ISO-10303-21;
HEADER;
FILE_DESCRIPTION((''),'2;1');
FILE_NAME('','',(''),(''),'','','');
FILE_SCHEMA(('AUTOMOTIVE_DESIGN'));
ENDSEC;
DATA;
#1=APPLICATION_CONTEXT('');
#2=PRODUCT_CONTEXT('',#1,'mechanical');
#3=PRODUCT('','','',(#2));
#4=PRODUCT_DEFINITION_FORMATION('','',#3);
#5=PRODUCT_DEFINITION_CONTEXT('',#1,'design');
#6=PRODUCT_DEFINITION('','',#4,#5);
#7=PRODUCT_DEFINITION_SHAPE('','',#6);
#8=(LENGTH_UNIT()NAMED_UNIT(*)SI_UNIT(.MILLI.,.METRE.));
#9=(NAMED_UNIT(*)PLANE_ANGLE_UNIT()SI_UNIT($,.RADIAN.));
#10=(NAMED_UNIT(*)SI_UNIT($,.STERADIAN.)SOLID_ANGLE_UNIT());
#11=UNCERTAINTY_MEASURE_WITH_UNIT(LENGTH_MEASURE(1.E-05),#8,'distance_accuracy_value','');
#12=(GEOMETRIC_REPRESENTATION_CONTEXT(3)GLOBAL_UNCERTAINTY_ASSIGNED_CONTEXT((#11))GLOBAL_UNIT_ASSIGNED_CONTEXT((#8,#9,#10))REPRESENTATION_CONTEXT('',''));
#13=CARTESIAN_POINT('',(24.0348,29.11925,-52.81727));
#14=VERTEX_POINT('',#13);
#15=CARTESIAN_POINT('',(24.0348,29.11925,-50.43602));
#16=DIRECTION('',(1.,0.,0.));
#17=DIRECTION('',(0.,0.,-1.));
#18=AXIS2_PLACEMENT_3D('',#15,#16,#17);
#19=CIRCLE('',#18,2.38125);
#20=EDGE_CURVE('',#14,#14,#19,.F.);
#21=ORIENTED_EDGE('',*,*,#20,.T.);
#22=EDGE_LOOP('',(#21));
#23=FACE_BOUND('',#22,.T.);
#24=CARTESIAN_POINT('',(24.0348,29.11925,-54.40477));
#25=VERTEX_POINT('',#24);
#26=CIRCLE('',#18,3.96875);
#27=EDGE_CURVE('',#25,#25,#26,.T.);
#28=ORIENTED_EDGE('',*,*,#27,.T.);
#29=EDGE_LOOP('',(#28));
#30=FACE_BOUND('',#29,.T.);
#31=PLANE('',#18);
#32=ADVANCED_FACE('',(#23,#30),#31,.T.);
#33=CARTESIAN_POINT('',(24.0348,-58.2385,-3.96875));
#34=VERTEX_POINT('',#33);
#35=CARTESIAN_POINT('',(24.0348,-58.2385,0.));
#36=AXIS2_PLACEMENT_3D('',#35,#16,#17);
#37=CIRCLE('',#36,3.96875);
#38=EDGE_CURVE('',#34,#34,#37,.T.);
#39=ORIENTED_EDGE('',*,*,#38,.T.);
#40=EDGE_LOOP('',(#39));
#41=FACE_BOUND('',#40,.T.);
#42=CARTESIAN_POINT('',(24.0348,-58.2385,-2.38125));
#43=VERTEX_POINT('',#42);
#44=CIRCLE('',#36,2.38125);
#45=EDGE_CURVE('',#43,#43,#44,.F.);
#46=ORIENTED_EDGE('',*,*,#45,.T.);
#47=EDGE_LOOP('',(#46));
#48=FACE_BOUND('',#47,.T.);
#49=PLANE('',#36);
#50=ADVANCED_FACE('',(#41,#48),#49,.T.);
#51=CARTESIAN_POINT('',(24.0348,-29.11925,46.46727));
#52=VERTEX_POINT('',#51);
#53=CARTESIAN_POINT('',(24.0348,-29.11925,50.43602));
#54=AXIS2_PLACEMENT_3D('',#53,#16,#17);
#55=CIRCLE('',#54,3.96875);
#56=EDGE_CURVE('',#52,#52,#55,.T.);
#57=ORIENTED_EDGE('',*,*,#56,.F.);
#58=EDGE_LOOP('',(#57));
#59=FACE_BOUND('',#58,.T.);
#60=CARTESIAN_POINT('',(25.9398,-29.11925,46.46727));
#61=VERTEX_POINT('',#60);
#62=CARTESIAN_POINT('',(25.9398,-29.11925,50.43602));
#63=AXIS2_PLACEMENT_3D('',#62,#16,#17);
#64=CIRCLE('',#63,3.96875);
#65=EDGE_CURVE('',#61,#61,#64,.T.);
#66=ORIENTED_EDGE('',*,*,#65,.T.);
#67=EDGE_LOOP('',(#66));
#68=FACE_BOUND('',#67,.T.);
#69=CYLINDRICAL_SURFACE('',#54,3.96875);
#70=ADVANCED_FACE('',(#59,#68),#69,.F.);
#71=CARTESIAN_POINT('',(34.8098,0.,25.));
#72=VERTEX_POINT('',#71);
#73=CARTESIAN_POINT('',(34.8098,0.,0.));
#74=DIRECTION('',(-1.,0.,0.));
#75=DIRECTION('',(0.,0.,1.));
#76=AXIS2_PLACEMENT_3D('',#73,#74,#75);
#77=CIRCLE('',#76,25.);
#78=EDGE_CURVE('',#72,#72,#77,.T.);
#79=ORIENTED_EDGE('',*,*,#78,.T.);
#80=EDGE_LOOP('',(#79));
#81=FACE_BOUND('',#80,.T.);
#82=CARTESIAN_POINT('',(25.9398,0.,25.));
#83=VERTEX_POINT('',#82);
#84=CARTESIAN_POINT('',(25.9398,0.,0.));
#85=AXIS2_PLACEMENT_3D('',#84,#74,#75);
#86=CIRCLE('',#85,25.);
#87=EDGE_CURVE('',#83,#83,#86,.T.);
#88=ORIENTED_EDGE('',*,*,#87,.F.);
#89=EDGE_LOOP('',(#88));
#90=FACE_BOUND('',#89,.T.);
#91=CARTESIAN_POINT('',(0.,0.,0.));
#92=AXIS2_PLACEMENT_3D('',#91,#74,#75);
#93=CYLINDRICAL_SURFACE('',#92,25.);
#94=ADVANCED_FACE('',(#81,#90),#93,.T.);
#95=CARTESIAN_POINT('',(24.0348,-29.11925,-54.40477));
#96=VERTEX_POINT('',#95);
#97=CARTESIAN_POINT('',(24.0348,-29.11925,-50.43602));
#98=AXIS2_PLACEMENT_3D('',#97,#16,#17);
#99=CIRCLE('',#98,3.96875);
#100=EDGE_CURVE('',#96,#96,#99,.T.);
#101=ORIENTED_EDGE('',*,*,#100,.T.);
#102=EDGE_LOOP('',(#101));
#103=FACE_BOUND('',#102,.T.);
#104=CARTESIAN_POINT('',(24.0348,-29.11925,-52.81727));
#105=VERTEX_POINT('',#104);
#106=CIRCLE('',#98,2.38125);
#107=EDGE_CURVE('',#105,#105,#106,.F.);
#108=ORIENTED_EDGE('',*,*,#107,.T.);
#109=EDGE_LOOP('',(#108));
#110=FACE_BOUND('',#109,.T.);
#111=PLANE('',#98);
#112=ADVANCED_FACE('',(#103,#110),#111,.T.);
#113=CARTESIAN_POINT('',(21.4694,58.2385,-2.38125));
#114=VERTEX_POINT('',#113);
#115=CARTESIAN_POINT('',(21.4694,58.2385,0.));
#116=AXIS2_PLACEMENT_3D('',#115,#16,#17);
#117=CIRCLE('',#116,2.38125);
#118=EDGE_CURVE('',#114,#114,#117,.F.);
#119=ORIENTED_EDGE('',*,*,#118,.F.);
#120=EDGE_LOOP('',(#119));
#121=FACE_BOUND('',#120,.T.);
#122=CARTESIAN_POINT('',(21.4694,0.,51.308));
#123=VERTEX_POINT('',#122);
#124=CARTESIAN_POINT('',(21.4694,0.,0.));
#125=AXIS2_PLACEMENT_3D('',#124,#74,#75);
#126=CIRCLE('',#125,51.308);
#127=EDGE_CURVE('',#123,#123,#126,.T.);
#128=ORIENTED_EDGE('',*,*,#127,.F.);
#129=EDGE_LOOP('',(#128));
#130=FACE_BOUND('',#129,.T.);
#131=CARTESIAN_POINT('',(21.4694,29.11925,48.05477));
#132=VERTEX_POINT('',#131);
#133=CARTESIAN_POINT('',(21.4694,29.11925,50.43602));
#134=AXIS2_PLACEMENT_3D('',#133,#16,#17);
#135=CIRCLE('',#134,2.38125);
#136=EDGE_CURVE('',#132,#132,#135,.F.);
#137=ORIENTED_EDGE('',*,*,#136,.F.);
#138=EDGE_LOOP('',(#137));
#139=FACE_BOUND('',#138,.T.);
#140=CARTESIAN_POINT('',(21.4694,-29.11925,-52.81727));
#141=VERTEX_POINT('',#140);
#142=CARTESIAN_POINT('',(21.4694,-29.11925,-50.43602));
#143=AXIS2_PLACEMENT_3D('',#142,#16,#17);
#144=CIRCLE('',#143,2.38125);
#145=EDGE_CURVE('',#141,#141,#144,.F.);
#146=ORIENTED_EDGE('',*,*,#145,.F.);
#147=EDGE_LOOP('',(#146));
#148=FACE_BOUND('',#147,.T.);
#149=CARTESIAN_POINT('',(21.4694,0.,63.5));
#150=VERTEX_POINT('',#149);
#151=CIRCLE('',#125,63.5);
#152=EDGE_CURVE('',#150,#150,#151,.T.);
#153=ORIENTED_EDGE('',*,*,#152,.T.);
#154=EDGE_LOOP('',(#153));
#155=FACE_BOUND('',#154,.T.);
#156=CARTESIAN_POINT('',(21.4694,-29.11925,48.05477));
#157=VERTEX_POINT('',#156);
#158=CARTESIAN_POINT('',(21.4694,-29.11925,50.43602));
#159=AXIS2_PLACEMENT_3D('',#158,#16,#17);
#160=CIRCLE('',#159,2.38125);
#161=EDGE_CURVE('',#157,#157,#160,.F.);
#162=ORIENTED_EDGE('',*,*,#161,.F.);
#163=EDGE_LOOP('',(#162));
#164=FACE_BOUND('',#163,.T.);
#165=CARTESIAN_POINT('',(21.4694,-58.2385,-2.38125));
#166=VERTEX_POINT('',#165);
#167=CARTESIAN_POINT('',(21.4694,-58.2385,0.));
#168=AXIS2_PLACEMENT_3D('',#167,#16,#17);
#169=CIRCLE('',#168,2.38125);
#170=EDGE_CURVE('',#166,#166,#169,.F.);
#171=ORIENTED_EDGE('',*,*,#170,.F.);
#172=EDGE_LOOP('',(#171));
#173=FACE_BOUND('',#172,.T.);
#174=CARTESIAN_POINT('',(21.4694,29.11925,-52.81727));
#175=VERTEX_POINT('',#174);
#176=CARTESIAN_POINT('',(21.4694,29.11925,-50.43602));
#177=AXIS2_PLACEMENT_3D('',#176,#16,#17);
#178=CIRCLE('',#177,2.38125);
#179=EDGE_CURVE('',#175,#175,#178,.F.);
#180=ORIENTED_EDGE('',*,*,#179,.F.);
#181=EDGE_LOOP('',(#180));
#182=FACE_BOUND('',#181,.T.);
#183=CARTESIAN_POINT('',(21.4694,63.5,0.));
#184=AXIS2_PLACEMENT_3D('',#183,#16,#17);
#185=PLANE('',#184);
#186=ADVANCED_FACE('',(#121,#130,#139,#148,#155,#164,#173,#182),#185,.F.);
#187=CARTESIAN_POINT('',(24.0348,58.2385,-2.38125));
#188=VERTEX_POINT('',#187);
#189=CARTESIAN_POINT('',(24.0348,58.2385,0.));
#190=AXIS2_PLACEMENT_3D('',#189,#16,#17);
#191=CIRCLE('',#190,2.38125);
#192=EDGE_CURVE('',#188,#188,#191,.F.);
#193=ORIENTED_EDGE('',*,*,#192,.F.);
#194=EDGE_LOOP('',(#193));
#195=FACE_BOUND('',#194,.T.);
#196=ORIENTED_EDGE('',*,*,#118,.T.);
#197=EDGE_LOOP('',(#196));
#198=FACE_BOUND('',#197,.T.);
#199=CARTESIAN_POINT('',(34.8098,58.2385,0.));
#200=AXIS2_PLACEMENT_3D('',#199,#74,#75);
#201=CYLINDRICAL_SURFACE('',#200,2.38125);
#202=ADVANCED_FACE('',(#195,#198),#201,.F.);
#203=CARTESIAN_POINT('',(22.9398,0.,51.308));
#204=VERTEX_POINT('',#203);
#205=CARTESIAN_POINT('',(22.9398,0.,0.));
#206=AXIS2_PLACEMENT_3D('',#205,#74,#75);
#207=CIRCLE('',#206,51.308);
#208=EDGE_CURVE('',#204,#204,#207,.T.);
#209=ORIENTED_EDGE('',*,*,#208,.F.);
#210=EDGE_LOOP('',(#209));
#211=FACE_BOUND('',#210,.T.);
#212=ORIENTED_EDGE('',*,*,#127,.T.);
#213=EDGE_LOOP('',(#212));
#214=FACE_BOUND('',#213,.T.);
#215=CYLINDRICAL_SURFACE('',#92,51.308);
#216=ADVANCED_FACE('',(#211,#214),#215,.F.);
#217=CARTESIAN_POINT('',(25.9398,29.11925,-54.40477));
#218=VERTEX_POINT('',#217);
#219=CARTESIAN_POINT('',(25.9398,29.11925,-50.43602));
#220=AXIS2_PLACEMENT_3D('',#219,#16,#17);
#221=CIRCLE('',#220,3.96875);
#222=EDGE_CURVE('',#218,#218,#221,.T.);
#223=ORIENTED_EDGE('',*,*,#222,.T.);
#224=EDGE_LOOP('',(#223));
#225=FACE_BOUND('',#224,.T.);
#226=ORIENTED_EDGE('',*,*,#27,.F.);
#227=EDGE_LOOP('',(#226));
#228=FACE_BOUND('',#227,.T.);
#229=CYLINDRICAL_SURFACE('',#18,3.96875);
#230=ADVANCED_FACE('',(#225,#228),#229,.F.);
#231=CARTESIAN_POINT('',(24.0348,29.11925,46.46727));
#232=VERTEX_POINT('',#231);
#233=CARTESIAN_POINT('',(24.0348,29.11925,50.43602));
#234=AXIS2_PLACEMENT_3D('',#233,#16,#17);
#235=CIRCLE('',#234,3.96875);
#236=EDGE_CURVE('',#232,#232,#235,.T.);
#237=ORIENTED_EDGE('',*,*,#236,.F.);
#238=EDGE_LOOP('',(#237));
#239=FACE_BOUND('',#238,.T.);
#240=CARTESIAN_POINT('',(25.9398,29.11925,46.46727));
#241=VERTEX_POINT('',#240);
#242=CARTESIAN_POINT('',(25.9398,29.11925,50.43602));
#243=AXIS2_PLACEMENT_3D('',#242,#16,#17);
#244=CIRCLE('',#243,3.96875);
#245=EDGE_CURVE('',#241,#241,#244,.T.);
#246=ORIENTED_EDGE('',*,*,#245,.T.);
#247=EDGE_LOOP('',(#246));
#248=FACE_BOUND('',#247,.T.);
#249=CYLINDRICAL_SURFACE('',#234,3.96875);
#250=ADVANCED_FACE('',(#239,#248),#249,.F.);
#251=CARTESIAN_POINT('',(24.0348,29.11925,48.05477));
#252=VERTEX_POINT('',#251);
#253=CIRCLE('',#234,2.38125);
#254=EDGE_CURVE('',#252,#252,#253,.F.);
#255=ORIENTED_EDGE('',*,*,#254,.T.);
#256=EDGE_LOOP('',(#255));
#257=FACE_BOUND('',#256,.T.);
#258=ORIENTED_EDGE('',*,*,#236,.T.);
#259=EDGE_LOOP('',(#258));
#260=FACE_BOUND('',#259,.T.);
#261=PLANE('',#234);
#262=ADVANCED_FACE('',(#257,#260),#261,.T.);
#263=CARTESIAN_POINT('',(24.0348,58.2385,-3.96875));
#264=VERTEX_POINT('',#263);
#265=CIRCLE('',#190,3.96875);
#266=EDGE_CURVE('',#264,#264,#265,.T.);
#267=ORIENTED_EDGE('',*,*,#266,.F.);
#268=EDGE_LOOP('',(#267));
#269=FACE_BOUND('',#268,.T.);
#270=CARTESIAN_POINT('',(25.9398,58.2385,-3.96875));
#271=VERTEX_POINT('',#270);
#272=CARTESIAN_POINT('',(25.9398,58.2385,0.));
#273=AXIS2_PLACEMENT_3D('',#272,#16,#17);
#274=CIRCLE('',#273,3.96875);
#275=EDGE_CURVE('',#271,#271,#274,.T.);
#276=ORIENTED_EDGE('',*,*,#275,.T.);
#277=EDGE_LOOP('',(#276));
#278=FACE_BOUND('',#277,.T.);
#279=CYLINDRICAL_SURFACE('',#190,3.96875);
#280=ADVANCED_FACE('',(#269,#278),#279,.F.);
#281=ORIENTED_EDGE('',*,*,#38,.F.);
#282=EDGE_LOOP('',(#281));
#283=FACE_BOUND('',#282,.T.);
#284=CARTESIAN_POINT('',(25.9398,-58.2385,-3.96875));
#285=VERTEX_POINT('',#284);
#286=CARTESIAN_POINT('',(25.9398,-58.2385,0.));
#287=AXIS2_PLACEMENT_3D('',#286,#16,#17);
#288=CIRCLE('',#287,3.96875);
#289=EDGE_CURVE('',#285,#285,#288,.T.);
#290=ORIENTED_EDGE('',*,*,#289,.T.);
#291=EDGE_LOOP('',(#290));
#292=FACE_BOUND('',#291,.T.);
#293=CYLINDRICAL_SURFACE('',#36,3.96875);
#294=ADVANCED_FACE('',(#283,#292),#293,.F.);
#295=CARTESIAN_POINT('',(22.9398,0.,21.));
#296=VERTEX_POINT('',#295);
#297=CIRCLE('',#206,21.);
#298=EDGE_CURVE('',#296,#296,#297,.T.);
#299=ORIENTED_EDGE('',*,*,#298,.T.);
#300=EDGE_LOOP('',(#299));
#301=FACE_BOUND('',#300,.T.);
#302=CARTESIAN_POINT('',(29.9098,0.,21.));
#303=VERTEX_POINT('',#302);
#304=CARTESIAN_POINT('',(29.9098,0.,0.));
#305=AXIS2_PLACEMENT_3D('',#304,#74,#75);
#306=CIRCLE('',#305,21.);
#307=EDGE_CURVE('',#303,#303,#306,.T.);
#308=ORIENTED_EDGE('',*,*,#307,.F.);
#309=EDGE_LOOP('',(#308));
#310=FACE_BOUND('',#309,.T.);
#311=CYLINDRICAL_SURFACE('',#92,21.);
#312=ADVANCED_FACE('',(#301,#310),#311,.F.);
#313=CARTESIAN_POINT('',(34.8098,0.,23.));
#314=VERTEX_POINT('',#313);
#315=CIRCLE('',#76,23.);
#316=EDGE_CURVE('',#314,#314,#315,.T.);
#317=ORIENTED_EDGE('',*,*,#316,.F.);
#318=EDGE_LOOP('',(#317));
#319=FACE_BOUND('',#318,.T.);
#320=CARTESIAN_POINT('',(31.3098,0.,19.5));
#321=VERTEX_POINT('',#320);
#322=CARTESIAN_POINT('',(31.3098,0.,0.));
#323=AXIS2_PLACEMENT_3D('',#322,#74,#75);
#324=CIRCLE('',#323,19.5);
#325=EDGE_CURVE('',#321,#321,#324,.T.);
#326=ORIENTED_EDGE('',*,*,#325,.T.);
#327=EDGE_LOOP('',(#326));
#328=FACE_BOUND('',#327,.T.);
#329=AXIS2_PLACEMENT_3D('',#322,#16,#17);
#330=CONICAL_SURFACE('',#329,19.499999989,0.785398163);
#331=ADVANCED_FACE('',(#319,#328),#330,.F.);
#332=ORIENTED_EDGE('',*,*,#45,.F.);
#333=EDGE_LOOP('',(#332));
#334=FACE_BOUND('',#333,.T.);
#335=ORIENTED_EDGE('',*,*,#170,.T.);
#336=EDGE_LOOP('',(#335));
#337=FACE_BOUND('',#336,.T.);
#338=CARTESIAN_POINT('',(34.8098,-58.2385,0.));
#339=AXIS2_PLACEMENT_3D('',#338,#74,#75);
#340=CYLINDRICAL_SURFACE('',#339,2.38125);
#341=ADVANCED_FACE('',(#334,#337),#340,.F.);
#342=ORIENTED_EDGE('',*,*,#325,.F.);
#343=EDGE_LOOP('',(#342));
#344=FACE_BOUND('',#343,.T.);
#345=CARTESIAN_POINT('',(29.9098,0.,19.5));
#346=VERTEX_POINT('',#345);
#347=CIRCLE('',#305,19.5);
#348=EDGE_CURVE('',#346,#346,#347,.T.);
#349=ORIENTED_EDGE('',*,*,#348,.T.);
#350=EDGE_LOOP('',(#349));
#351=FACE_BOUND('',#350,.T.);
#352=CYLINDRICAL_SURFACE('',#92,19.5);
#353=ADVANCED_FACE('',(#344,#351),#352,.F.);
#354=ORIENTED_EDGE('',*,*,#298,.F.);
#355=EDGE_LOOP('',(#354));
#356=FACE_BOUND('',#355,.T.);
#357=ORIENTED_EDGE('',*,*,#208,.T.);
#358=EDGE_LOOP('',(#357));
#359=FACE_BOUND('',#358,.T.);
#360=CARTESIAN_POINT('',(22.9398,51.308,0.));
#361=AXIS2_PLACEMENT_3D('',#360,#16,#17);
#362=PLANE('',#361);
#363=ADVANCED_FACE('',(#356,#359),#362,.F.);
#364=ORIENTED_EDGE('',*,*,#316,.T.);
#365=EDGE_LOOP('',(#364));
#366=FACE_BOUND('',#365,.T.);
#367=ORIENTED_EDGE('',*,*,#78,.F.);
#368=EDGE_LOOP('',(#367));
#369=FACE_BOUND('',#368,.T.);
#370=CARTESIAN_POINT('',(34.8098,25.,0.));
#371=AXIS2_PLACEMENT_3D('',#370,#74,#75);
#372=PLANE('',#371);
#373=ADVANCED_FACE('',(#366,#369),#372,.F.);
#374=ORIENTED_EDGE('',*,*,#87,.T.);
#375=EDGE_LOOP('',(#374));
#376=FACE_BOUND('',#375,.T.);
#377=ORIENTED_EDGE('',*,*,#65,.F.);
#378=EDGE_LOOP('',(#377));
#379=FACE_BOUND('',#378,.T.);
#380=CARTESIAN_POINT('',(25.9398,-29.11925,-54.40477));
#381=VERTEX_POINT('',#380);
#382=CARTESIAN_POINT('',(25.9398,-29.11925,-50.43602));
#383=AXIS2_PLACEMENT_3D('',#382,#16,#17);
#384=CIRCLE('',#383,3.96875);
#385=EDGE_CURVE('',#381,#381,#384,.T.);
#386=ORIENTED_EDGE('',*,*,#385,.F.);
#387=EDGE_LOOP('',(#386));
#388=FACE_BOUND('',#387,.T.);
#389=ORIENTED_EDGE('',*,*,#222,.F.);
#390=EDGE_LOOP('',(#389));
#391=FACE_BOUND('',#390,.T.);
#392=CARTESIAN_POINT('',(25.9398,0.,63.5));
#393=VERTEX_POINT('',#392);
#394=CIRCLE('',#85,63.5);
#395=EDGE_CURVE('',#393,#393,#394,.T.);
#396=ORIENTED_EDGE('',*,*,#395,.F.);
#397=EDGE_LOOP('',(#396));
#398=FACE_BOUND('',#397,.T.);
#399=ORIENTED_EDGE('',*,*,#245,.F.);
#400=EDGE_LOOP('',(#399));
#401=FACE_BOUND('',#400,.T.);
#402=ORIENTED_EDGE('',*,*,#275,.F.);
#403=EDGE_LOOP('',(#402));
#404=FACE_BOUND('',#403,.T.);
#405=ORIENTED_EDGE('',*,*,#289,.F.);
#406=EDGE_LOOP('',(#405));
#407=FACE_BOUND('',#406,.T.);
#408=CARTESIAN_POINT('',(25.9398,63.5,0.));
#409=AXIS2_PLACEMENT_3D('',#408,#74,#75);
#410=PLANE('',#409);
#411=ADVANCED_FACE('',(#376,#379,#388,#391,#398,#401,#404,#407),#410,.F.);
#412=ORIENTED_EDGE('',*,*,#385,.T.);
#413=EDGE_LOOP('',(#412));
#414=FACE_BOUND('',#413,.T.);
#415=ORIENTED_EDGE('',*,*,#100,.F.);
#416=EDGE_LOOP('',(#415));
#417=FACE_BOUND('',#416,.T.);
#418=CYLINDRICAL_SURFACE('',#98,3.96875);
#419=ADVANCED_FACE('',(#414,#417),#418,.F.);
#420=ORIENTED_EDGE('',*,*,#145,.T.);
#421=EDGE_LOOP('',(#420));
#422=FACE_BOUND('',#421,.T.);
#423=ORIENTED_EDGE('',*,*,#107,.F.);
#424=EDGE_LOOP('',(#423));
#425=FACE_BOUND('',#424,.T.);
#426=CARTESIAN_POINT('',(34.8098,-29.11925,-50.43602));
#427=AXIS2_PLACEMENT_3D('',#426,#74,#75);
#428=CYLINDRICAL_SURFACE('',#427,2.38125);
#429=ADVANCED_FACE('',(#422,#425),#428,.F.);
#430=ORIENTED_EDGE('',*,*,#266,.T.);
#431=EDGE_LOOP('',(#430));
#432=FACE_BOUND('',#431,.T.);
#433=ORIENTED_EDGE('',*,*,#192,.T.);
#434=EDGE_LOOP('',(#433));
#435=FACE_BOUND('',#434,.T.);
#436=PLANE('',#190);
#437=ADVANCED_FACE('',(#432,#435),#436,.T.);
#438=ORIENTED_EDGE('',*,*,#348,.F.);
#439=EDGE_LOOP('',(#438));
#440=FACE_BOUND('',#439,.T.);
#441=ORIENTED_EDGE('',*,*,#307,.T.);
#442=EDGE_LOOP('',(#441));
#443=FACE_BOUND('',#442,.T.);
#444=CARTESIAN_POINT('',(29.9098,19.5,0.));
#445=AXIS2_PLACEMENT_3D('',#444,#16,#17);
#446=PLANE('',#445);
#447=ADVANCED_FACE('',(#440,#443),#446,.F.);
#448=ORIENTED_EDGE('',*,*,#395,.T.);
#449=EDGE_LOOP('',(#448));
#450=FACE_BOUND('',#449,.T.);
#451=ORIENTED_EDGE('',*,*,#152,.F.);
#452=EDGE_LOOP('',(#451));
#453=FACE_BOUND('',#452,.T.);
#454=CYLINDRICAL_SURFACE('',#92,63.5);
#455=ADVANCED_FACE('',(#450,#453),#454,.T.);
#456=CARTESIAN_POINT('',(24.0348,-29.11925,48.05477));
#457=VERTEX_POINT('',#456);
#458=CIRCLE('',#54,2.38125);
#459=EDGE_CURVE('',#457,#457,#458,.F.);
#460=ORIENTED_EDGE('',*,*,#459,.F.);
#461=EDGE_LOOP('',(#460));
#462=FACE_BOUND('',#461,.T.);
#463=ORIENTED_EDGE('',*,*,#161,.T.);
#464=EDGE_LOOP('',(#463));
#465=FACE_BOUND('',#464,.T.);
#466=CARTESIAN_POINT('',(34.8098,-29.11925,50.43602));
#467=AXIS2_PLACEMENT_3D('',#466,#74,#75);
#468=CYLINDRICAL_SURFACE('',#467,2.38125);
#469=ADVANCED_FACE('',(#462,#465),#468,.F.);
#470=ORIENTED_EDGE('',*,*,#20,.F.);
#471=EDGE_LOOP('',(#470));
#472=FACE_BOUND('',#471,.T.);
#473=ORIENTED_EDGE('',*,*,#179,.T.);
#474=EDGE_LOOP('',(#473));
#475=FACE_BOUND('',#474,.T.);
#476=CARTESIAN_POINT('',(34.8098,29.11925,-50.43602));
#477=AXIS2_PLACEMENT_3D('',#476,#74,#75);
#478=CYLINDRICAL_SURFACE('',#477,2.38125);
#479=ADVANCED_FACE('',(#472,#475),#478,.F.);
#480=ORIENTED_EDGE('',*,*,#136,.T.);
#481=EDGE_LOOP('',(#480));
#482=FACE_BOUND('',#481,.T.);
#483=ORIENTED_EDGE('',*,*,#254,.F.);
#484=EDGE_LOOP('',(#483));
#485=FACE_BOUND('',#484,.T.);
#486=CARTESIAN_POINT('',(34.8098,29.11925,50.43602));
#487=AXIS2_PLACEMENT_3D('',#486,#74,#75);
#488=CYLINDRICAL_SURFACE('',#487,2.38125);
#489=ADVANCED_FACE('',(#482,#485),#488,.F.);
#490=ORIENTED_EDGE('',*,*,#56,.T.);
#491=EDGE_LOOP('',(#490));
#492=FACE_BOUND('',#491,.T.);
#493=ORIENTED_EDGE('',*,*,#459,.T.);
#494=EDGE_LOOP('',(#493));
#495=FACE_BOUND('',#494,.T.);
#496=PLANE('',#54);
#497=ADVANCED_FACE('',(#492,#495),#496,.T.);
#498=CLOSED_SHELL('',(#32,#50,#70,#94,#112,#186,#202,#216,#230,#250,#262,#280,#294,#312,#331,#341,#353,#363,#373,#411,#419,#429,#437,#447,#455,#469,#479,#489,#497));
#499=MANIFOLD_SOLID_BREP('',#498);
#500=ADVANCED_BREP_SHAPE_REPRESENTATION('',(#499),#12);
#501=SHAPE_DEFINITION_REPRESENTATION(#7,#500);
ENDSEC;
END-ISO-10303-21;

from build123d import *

# Parameters (mm, degrees)
CUT_EXTRUDE1_START = 24.0348
SKETCH7_R          = 3.96875
CUT_EXTRUDE1_DEPTH = 1.905
SKETCH8_R          = 2.38125
CUT_EXTRUDE2_DEPTH = 35.809800078


with BuildPart() as part:
    # Sketch3 → Revolve1 (revolve)
    with BuildSketch(Plane.XY):
        Polygon((34.809800078, 25.000000038), (34.809800078, 22.999999974), (31.309800093, 19.499999989), (29.909799972, 19.499999989), (29.909799972, 21.000000037), (22.939799942, 21.000000037), (22.939799942, 51.308), (21.469400038, 51.308), (21.469400038, 63.5), (25.939800038, 63.5), (25.939800038, 25.000000038), (27.839800048, 25.000000038), align=None)
    revolve(axis=Axis((0, 0, 0), (1, 0, 0)))

    # Sketch7 → Cut-Extrude1 (cut)
    with BuildSketch(Plane(origin=(0, 0, 0), x_dir=(0, 0, -1), z_dir=(1, 0, 0)).offset(CUT_EXTRUDE1_START)):
        with Locations((50.436020463, -29.119249991)):
            Circle(SKETCH7_R)
        with Locations((0, -58.238499982)):
            Circle(SKETCH7_R)
        with Locations((-50.436020463, -29.119249991)):
            Circle(SKETCH7_R)
        with Locations((-50.436020463, 29.119249991)):
            Circle(SKETCH7_R)
        with Locations((50.436020463, 29.119249991)):
            Circle(SKETCH7_R)
        with Locations((0, 58.238499982)):
            Circle(SKETCH7_R)
    extrude(amount=CUT_EXTRUDE1_DEPTH, mode=Mode.SUBTRACT)

    # Sketch8 → Cut-Extrude2 (cut, through all)
    with BuildSketch(Plane(origin=(0, 0, 0), x_dir=(0, 0, -1), z_dir=(1, 0, 0))):
        with Locations((50.436020463, 29.119249991)):
            Circle(SKETCH8_R)
        with Locations((50.436020463, -29.119249991)):
            Circle(SKETCH8_R)
        with Locations((0, -58.238499982)):
            Circle(SKETCH8_R)
        with Locations((-50.436020463, -29.119249991)):
            Circle(SKETCH8_R)
        with Locations((-50.436020463, 29.119249991)):
            Circle(SKETCH8_R)
        with Locations((0, 58.238499982)):
            Circle(SKETCH8_R)
    extrude(amount=CUT_EXTRUDE2_DEPTH, mode=Mode.SUBTRACT)


solid = part.part
